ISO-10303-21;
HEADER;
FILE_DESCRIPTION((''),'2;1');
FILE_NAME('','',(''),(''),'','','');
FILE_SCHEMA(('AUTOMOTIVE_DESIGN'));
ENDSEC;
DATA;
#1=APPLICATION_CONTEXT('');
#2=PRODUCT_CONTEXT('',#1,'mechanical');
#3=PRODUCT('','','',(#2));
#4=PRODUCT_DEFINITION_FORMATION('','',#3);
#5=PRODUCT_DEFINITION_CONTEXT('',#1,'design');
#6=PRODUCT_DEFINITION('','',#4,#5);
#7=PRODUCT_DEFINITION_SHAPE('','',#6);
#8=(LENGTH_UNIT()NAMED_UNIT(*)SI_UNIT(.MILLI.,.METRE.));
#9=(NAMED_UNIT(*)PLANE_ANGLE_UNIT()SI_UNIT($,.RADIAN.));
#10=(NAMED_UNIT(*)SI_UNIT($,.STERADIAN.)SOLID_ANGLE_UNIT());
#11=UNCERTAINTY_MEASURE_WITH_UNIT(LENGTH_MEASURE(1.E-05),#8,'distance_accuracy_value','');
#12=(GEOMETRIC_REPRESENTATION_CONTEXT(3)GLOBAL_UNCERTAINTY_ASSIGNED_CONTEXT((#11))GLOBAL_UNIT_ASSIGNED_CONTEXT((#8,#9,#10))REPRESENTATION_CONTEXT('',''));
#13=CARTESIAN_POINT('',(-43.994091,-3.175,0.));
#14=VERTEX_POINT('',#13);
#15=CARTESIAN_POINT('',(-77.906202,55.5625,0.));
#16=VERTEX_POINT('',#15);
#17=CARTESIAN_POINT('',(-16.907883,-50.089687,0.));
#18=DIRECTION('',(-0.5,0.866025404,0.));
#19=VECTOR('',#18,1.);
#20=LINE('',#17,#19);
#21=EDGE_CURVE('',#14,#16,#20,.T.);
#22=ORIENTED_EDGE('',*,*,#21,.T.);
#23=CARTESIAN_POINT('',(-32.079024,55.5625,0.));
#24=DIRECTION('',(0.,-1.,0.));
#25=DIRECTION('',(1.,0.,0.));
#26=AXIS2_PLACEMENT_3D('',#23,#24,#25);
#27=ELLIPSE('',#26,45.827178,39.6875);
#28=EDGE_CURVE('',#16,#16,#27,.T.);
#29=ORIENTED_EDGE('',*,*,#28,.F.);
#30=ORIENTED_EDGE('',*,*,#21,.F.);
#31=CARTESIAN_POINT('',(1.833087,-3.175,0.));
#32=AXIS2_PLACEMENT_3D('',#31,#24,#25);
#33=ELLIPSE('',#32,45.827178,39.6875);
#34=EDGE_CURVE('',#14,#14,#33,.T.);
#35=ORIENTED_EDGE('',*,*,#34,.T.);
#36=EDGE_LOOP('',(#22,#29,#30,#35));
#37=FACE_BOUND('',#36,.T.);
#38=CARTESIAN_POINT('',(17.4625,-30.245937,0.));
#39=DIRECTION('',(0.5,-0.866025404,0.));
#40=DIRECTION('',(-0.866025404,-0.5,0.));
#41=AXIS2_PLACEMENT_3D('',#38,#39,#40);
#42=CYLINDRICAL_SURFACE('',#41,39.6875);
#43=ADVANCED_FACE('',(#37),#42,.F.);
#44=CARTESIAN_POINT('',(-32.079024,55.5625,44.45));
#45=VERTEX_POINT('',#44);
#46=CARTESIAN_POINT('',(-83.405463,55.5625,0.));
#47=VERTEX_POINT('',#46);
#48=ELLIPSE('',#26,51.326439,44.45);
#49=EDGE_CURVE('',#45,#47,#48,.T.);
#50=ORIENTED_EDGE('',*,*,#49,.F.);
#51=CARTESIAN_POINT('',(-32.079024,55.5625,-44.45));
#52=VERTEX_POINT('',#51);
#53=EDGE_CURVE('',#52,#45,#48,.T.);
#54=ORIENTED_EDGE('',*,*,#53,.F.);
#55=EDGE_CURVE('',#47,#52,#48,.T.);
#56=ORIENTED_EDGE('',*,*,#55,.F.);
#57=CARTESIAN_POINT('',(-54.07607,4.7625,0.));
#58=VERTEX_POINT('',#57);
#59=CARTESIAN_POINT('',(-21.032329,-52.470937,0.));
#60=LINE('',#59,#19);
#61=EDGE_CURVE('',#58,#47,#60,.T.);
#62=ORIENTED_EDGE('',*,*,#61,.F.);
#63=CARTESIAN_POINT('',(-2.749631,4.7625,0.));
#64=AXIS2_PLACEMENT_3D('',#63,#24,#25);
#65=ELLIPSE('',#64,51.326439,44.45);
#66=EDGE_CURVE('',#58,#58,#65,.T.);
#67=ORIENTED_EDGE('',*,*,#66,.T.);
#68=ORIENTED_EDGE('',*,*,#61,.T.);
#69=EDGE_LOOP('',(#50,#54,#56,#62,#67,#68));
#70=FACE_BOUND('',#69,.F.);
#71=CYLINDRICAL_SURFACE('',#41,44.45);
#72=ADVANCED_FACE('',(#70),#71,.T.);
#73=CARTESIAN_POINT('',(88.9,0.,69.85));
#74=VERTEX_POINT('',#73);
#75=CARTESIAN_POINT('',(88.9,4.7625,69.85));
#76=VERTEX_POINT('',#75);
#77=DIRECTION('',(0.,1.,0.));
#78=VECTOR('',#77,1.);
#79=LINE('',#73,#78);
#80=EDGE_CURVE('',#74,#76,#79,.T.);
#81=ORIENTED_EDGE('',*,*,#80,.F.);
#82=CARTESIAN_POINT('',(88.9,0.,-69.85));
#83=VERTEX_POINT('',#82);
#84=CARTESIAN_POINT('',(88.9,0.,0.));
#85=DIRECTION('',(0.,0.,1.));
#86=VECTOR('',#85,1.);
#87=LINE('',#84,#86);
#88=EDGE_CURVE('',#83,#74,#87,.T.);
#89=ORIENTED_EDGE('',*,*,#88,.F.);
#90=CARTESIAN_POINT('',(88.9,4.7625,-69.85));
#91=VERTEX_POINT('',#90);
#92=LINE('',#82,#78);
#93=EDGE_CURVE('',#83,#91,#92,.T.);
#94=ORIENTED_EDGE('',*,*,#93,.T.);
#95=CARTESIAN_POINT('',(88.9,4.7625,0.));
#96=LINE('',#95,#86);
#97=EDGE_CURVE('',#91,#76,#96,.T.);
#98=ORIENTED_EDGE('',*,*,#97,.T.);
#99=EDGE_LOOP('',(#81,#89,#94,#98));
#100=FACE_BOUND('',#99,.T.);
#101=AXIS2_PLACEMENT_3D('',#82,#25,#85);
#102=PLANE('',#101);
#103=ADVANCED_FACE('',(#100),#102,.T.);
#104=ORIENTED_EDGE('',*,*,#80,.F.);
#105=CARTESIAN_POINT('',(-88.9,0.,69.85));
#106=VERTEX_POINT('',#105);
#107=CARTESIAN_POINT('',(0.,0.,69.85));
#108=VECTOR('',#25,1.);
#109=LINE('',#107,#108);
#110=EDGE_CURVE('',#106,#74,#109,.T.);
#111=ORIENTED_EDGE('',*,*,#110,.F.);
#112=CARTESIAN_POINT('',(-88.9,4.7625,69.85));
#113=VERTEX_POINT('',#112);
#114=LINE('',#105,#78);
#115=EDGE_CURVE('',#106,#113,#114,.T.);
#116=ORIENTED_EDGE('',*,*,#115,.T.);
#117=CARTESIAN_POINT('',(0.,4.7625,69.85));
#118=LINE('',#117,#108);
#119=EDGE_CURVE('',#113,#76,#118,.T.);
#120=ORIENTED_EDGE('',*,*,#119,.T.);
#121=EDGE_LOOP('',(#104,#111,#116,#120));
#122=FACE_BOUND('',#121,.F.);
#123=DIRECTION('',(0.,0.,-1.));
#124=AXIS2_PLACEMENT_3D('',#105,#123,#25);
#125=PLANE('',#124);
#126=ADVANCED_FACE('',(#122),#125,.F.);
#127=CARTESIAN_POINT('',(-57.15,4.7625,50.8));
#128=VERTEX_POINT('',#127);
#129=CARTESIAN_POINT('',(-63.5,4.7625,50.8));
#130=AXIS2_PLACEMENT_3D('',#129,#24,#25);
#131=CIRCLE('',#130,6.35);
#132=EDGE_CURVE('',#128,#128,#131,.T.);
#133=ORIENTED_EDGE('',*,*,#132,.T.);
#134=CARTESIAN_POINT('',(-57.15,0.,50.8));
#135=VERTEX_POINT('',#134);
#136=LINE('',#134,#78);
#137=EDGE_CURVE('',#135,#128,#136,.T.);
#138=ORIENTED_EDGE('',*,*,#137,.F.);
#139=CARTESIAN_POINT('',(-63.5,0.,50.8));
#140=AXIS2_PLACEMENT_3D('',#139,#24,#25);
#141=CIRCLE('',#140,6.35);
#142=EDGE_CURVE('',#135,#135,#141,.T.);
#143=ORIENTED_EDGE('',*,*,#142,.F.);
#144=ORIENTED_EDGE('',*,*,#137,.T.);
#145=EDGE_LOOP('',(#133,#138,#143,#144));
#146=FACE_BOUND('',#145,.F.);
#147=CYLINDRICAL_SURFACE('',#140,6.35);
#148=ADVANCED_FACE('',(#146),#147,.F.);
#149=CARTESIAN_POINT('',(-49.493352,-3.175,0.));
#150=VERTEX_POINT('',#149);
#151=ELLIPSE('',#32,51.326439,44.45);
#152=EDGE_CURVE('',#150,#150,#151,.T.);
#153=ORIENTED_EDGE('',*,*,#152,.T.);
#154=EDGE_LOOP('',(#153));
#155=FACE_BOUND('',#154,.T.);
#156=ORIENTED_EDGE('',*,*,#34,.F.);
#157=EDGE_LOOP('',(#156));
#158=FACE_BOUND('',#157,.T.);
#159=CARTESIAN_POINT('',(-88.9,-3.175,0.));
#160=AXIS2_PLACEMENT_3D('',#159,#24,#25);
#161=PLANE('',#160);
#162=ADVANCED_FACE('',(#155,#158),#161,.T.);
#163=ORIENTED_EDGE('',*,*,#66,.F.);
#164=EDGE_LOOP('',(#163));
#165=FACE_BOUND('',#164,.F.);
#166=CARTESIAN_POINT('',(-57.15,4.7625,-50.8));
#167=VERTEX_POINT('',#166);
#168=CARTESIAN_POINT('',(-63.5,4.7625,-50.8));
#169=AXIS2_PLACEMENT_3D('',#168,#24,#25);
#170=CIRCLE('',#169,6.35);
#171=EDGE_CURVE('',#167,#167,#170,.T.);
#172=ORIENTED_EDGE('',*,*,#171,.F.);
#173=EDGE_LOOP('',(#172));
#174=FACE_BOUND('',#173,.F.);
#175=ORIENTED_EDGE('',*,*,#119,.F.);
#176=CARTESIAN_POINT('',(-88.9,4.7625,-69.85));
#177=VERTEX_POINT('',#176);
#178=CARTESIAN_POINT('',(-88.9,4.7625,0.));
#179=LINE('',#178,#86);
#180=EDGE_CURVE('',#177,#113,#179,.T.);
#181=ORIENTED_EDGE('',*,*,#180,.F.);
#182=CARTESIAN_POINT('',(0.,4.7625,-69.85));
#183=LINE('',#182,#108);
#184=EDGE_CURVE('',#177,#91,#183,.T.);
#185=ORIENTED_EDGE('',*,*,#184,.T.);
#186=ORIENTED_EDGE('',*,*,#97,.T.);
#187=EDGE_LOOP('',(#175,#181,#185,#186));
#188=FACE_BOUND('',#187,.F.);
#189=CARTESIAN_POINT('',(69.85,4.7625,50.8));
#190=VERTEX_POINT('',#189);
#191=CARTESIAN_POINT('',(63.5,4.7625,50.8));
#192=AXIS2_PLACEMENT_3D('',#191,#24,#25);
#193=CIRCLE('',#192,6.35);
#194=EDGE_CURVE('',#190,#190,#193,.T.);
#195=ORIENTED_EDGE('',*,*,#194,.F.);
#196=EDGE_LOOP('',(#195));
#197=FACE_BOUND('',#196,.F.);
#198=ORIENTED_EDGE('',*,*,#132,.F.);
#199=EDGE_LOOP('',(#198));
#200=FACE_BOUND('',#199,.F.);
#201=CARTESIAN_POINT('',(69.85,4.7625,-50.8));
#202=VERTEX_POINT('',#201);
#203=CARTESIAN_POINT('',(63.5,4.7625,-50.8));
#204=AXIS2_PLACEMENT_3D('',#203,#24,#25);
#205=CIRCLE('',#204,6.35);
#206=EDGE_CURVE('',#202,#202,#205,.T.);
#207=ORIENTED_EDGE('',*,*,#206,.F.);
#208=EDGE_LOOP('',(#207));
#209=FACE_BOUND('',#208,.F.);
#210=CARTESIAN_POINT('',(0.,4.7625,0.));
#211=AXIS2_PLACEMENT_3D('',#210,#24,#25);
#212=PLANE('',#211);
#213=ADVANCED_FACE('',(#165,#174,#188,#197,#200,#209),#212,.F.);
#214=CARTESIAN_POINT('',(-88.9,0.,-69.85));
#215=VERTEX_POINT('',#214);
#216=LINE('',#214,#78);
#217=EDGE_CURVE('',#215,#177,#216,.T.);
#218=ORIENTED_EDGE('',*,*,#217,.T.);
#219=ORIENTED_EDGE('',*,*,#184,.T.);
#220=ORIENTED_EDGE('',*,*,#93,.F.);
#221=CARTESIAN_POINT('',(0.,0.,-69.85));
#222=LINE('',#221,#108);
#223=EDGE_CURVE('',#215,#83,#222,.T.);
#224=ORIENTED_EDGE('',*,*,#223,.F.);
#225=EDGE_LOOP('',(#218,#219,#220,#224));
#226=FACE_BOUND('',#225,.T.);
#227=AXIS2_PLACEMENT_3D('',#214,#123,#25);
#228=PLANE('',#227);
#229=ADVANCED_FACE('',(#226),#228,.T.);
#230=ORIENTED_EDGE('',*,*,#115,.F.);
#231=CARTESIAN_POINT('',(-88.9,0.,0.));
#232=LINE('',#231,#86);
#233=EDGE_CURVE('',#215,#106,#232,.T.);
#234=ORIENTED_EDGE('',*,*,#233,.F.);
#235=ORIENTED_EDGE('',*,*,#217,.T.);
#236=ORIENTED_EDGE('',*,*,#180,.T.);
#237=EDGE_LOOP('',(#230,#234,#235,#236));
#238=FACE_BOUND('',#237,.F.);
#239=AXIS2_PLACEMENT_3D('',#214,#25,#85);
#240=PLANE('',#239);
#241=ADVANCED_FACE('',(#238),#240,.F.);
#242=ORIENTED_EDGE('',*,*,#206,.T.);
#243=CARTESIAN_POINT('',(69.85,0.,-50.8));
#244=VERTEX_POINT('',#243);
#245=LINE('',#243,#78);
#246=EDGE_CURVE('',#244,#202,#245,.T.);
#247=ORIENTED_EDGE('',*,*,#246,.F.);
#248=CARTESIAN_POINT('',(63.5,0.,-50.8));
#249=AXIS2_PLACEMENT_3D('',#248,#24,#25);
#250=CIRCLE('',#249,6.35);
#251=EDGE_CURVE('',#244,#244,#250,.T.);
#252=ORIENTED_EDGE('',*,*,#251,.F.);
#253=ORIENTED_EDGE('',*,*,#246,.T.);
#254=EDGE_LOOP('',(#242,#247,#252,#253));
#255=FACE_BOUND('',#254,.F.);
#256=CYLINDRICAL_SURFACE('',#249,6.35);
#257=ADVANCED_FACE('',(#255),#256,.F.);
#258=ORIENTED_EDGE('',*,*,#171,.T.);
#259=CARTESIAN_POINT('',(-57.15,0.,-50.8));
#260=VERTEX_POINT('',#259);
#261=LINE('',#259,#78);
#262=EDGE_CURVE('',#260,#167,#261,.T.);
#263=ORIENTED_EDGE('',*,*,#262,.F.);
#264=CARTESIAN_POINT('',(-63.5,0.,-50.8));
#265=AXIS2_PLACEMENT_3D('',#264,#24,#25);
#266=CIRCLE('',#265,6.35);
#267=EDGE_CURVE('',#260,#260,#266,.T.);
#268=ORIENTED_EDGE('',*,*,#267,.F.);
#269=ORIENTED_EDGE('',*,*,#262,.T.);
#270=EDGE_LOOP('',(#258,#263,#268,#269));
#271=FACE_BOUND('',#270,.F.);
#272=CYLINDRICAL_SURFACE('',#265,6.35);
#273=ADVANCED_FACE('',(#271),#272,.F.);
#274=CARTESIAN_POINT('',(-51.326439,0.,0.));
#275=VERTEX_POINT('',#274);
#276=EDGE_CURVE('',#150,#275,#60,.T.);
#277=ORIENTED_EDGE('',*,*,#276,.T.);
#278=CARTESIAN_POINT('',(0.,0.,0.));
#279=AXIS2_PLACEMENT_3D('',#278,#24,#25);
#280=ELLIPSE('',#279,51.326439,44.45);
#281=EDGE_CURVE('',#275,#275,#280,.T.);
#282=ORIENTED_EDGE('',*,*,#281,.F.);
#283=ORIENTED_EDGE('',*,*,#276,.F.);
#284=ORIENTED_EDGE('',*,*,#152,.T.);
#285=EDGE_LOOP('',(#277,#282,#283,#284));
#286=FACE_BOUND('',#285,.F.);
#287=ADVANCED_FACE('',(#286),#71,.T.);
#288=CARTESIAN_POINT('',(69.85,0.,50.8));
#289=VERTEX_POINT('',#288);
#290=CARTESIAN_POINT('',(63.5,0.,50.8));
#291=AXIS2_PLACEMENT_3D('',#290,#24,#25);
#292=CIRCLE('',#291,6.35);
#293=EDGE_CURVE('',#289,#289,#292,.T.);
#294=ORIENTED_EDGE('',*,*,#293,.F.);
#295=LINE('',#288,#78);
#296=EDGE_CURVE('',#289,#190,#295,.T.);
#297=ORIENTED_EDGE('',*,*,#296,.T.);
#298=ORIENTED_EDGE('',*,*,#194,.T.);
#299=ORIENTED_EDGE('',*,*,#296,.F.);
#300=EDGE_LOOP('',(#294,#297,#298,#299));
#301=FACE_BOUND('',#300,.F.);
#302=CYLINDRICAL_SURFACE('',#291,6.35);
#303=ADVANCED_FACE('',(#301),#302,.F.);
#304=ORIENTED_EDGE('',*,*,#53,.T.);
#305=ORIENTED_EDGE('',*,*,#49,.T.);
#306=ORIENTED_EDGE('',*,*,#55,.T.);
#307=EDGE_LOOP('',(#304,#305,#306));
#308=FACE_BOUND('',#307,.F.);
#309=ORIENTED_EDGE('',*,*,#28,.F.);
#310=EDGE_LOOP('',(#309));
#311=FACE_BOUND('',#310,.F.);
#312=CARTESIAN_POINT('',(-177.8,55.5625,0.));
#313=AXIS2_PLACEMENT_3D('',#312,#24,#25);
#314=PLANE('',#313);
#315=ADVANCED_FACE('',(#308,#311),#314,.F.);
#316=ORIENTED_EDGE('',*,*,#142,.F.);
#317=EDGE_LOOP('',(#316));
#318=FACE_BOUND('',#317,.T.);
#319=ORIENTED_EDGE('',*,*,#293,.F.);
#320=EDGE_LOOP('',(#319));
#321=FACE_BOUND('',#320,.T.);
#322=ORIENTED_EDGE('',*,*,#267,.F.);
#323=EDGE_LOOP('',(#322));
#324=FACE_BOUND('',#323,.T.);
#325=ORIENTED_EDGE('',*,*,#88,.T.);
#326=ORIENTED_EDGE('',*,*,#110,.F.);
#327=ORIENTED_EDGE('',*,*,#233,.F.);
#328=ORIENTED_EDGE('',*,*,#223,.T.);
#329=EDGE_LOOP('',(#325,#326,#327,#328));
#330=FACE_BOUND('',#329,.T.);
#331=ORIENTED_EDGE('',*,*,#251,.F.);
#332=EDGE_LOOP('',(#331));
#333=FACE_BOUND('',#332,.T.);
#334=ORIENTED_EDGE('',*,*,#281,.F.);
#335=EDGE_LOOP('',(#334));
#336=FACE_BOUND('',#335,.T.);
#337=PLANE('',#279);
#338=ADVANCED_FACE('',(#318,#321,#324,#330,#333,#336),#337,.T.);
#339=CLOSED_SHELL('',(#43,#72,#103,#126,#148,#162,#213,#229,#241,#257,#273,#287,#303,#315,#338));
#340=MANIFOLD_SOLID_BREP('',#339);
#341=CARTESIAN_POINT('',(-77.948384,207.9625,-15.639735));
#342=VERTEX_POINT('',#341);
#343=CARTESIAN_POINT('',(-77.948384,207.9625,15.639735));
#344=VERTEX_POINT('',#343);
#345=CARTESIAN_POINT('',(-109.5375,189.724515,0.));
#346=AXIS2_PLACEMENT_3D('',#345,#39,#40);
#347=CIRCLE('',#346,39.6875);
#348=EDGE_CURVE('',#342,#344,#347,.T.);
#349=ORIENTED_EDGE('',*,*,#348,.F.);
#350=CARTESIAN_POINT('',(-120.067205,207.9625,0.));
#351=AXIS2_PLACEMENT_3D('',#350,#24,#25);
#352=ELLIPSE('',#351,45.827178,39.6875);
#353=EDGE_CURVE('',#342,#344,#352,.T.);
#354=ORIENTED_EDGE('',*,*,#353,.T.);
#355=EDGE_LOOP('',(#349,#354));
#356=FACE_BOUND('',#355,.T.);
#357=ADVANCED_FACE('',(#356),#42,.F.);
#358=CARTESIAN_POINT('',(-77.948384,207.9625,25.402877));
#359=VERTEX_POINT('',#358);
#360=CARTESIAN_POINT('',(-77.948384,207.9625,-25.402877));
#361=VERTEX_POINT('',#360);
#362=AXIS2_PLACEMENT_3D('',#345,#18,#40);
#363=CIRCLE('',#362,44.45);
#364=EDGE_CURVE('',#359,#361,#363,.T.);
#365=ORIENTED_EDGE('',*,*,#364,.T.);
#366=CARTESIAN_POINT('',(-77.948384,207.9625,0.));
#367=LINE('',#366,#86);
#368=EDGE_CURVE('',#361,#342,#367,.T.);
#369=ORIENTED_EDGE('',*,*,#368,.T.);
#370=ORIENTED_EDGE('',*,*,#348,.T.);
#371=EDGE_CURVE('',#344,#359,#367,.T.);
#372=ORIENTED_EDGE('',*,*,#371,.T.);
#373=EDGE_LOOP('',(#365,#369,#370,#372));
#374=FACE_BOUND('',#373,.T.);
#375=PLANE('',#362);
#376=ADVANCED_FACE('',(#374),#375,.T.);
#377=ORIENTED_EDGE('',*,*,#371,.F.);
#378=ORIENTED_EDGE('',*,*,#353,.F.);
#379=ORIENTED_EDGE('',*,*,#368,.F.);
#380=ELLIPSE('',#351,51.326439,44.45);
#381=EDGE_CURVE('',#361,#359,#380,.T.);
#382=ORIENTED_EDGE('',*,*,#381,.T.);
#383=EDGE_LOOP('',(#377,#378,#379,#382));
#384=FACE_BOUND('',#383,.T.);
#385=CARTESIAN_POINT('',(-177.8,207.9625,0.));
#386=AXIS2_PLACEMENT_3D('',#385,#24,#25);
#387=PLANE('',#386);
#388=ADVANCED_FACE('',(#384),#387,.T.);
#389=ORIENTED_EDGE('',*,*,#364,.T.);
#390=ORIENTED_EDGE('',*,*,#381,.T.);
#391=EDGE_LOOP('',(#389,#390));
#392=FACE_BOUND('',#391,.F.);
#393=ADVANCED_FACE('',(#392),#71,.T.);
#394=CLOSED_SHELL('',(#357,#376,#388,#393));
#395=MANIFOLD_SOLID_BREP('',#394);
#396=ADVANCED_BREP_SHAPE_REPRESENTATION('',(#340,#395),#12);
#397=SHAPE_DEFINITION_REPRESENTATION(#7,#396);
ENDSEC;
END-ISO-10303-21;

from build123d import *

# Parameters (mm, degrees)
F0_W      = 177.8
F0_H      = 139.7
F1_DEPTH  = 4.7625
F4_R      = 44.45
F5_DEPTH  = 254
F6_R      = 39.6875
F7_DEPTH  = 292.4958291982
F8_W      = 177.8
F8_H      = 76.2
F9_DEPTH  = 50.8
F10_R     = 6.35
F11_DEPTH = 211.9505153341
F12_W     = 266.7
F12_H     = 152.4
F13_DEPTH = 44.45


with BuildPart() as f1:
    # F0 (on Front) → F1 (new body)
    with BuildSketch(Plane.XZ):
        Rectangle(F0_W, F0_H)
    extrude(amount=-F1_DEPTH)

    # F4 (on face) → F5 (join)
    with BuildSketch(Plane(origin=(17.4625, -30.2459372272, 0), x_dir=(-0.8660254038, -0.5, 0), z_dir=(-0.5, 0.8660254038, 0))):
        Circle(F4_R)
    extrude(amount=F5_DEPTH)

    # F6 (on face) → F7 (cut, through all)
    with BuildSketch(Plane(origin=(17.4625, -30.2459372272, 0), x_dir=(-0.8660254038, -0.5, 0), z_dir=(-0.5, 0.8660254038, 0))):
        Circle(F6_R)
    extrude(amount=F7_DEPTH, mode=Mode.SUBTRACT)

    # F8 (on Top) → F9 (cut, symmetric)
    with BuildSketch(Plane.XY):
        with Locations((0, -41.275)):
            Rectangle(F8_W, F8_H)
    extrude(amount=F9_DEPTH, both=True, mode=Mode.SUBTRACT)

    # F10 (on face) → F11 (cut, through all)
    with BuildSketch(Plane.XZ):
        with Locations((-63.5, 50.8)):
            Circle(F10_R)
        with Locations((63.5, 50.8)):
            Circle(F10_R)
        with Locations((-63.5, -50.8)):
            Circle(F10_R)
        with Locations((63.5, -50.8)):
            Circle(F10_R)
    extrude(amount=-F11_DEPTH, mode=Mode.SUBTRACT)

    # F12 (on Top) → F13 (cut, symmetric)
    with BuildSketch(Plane.XY):
        with Locations((-44.45, 131.7625)):
            Rectangle(F12_W, F12_H)
    extrude(amount=F13_DEPTH, both=True, mode=Mode.SUBTRACT)


solid = f1.part
